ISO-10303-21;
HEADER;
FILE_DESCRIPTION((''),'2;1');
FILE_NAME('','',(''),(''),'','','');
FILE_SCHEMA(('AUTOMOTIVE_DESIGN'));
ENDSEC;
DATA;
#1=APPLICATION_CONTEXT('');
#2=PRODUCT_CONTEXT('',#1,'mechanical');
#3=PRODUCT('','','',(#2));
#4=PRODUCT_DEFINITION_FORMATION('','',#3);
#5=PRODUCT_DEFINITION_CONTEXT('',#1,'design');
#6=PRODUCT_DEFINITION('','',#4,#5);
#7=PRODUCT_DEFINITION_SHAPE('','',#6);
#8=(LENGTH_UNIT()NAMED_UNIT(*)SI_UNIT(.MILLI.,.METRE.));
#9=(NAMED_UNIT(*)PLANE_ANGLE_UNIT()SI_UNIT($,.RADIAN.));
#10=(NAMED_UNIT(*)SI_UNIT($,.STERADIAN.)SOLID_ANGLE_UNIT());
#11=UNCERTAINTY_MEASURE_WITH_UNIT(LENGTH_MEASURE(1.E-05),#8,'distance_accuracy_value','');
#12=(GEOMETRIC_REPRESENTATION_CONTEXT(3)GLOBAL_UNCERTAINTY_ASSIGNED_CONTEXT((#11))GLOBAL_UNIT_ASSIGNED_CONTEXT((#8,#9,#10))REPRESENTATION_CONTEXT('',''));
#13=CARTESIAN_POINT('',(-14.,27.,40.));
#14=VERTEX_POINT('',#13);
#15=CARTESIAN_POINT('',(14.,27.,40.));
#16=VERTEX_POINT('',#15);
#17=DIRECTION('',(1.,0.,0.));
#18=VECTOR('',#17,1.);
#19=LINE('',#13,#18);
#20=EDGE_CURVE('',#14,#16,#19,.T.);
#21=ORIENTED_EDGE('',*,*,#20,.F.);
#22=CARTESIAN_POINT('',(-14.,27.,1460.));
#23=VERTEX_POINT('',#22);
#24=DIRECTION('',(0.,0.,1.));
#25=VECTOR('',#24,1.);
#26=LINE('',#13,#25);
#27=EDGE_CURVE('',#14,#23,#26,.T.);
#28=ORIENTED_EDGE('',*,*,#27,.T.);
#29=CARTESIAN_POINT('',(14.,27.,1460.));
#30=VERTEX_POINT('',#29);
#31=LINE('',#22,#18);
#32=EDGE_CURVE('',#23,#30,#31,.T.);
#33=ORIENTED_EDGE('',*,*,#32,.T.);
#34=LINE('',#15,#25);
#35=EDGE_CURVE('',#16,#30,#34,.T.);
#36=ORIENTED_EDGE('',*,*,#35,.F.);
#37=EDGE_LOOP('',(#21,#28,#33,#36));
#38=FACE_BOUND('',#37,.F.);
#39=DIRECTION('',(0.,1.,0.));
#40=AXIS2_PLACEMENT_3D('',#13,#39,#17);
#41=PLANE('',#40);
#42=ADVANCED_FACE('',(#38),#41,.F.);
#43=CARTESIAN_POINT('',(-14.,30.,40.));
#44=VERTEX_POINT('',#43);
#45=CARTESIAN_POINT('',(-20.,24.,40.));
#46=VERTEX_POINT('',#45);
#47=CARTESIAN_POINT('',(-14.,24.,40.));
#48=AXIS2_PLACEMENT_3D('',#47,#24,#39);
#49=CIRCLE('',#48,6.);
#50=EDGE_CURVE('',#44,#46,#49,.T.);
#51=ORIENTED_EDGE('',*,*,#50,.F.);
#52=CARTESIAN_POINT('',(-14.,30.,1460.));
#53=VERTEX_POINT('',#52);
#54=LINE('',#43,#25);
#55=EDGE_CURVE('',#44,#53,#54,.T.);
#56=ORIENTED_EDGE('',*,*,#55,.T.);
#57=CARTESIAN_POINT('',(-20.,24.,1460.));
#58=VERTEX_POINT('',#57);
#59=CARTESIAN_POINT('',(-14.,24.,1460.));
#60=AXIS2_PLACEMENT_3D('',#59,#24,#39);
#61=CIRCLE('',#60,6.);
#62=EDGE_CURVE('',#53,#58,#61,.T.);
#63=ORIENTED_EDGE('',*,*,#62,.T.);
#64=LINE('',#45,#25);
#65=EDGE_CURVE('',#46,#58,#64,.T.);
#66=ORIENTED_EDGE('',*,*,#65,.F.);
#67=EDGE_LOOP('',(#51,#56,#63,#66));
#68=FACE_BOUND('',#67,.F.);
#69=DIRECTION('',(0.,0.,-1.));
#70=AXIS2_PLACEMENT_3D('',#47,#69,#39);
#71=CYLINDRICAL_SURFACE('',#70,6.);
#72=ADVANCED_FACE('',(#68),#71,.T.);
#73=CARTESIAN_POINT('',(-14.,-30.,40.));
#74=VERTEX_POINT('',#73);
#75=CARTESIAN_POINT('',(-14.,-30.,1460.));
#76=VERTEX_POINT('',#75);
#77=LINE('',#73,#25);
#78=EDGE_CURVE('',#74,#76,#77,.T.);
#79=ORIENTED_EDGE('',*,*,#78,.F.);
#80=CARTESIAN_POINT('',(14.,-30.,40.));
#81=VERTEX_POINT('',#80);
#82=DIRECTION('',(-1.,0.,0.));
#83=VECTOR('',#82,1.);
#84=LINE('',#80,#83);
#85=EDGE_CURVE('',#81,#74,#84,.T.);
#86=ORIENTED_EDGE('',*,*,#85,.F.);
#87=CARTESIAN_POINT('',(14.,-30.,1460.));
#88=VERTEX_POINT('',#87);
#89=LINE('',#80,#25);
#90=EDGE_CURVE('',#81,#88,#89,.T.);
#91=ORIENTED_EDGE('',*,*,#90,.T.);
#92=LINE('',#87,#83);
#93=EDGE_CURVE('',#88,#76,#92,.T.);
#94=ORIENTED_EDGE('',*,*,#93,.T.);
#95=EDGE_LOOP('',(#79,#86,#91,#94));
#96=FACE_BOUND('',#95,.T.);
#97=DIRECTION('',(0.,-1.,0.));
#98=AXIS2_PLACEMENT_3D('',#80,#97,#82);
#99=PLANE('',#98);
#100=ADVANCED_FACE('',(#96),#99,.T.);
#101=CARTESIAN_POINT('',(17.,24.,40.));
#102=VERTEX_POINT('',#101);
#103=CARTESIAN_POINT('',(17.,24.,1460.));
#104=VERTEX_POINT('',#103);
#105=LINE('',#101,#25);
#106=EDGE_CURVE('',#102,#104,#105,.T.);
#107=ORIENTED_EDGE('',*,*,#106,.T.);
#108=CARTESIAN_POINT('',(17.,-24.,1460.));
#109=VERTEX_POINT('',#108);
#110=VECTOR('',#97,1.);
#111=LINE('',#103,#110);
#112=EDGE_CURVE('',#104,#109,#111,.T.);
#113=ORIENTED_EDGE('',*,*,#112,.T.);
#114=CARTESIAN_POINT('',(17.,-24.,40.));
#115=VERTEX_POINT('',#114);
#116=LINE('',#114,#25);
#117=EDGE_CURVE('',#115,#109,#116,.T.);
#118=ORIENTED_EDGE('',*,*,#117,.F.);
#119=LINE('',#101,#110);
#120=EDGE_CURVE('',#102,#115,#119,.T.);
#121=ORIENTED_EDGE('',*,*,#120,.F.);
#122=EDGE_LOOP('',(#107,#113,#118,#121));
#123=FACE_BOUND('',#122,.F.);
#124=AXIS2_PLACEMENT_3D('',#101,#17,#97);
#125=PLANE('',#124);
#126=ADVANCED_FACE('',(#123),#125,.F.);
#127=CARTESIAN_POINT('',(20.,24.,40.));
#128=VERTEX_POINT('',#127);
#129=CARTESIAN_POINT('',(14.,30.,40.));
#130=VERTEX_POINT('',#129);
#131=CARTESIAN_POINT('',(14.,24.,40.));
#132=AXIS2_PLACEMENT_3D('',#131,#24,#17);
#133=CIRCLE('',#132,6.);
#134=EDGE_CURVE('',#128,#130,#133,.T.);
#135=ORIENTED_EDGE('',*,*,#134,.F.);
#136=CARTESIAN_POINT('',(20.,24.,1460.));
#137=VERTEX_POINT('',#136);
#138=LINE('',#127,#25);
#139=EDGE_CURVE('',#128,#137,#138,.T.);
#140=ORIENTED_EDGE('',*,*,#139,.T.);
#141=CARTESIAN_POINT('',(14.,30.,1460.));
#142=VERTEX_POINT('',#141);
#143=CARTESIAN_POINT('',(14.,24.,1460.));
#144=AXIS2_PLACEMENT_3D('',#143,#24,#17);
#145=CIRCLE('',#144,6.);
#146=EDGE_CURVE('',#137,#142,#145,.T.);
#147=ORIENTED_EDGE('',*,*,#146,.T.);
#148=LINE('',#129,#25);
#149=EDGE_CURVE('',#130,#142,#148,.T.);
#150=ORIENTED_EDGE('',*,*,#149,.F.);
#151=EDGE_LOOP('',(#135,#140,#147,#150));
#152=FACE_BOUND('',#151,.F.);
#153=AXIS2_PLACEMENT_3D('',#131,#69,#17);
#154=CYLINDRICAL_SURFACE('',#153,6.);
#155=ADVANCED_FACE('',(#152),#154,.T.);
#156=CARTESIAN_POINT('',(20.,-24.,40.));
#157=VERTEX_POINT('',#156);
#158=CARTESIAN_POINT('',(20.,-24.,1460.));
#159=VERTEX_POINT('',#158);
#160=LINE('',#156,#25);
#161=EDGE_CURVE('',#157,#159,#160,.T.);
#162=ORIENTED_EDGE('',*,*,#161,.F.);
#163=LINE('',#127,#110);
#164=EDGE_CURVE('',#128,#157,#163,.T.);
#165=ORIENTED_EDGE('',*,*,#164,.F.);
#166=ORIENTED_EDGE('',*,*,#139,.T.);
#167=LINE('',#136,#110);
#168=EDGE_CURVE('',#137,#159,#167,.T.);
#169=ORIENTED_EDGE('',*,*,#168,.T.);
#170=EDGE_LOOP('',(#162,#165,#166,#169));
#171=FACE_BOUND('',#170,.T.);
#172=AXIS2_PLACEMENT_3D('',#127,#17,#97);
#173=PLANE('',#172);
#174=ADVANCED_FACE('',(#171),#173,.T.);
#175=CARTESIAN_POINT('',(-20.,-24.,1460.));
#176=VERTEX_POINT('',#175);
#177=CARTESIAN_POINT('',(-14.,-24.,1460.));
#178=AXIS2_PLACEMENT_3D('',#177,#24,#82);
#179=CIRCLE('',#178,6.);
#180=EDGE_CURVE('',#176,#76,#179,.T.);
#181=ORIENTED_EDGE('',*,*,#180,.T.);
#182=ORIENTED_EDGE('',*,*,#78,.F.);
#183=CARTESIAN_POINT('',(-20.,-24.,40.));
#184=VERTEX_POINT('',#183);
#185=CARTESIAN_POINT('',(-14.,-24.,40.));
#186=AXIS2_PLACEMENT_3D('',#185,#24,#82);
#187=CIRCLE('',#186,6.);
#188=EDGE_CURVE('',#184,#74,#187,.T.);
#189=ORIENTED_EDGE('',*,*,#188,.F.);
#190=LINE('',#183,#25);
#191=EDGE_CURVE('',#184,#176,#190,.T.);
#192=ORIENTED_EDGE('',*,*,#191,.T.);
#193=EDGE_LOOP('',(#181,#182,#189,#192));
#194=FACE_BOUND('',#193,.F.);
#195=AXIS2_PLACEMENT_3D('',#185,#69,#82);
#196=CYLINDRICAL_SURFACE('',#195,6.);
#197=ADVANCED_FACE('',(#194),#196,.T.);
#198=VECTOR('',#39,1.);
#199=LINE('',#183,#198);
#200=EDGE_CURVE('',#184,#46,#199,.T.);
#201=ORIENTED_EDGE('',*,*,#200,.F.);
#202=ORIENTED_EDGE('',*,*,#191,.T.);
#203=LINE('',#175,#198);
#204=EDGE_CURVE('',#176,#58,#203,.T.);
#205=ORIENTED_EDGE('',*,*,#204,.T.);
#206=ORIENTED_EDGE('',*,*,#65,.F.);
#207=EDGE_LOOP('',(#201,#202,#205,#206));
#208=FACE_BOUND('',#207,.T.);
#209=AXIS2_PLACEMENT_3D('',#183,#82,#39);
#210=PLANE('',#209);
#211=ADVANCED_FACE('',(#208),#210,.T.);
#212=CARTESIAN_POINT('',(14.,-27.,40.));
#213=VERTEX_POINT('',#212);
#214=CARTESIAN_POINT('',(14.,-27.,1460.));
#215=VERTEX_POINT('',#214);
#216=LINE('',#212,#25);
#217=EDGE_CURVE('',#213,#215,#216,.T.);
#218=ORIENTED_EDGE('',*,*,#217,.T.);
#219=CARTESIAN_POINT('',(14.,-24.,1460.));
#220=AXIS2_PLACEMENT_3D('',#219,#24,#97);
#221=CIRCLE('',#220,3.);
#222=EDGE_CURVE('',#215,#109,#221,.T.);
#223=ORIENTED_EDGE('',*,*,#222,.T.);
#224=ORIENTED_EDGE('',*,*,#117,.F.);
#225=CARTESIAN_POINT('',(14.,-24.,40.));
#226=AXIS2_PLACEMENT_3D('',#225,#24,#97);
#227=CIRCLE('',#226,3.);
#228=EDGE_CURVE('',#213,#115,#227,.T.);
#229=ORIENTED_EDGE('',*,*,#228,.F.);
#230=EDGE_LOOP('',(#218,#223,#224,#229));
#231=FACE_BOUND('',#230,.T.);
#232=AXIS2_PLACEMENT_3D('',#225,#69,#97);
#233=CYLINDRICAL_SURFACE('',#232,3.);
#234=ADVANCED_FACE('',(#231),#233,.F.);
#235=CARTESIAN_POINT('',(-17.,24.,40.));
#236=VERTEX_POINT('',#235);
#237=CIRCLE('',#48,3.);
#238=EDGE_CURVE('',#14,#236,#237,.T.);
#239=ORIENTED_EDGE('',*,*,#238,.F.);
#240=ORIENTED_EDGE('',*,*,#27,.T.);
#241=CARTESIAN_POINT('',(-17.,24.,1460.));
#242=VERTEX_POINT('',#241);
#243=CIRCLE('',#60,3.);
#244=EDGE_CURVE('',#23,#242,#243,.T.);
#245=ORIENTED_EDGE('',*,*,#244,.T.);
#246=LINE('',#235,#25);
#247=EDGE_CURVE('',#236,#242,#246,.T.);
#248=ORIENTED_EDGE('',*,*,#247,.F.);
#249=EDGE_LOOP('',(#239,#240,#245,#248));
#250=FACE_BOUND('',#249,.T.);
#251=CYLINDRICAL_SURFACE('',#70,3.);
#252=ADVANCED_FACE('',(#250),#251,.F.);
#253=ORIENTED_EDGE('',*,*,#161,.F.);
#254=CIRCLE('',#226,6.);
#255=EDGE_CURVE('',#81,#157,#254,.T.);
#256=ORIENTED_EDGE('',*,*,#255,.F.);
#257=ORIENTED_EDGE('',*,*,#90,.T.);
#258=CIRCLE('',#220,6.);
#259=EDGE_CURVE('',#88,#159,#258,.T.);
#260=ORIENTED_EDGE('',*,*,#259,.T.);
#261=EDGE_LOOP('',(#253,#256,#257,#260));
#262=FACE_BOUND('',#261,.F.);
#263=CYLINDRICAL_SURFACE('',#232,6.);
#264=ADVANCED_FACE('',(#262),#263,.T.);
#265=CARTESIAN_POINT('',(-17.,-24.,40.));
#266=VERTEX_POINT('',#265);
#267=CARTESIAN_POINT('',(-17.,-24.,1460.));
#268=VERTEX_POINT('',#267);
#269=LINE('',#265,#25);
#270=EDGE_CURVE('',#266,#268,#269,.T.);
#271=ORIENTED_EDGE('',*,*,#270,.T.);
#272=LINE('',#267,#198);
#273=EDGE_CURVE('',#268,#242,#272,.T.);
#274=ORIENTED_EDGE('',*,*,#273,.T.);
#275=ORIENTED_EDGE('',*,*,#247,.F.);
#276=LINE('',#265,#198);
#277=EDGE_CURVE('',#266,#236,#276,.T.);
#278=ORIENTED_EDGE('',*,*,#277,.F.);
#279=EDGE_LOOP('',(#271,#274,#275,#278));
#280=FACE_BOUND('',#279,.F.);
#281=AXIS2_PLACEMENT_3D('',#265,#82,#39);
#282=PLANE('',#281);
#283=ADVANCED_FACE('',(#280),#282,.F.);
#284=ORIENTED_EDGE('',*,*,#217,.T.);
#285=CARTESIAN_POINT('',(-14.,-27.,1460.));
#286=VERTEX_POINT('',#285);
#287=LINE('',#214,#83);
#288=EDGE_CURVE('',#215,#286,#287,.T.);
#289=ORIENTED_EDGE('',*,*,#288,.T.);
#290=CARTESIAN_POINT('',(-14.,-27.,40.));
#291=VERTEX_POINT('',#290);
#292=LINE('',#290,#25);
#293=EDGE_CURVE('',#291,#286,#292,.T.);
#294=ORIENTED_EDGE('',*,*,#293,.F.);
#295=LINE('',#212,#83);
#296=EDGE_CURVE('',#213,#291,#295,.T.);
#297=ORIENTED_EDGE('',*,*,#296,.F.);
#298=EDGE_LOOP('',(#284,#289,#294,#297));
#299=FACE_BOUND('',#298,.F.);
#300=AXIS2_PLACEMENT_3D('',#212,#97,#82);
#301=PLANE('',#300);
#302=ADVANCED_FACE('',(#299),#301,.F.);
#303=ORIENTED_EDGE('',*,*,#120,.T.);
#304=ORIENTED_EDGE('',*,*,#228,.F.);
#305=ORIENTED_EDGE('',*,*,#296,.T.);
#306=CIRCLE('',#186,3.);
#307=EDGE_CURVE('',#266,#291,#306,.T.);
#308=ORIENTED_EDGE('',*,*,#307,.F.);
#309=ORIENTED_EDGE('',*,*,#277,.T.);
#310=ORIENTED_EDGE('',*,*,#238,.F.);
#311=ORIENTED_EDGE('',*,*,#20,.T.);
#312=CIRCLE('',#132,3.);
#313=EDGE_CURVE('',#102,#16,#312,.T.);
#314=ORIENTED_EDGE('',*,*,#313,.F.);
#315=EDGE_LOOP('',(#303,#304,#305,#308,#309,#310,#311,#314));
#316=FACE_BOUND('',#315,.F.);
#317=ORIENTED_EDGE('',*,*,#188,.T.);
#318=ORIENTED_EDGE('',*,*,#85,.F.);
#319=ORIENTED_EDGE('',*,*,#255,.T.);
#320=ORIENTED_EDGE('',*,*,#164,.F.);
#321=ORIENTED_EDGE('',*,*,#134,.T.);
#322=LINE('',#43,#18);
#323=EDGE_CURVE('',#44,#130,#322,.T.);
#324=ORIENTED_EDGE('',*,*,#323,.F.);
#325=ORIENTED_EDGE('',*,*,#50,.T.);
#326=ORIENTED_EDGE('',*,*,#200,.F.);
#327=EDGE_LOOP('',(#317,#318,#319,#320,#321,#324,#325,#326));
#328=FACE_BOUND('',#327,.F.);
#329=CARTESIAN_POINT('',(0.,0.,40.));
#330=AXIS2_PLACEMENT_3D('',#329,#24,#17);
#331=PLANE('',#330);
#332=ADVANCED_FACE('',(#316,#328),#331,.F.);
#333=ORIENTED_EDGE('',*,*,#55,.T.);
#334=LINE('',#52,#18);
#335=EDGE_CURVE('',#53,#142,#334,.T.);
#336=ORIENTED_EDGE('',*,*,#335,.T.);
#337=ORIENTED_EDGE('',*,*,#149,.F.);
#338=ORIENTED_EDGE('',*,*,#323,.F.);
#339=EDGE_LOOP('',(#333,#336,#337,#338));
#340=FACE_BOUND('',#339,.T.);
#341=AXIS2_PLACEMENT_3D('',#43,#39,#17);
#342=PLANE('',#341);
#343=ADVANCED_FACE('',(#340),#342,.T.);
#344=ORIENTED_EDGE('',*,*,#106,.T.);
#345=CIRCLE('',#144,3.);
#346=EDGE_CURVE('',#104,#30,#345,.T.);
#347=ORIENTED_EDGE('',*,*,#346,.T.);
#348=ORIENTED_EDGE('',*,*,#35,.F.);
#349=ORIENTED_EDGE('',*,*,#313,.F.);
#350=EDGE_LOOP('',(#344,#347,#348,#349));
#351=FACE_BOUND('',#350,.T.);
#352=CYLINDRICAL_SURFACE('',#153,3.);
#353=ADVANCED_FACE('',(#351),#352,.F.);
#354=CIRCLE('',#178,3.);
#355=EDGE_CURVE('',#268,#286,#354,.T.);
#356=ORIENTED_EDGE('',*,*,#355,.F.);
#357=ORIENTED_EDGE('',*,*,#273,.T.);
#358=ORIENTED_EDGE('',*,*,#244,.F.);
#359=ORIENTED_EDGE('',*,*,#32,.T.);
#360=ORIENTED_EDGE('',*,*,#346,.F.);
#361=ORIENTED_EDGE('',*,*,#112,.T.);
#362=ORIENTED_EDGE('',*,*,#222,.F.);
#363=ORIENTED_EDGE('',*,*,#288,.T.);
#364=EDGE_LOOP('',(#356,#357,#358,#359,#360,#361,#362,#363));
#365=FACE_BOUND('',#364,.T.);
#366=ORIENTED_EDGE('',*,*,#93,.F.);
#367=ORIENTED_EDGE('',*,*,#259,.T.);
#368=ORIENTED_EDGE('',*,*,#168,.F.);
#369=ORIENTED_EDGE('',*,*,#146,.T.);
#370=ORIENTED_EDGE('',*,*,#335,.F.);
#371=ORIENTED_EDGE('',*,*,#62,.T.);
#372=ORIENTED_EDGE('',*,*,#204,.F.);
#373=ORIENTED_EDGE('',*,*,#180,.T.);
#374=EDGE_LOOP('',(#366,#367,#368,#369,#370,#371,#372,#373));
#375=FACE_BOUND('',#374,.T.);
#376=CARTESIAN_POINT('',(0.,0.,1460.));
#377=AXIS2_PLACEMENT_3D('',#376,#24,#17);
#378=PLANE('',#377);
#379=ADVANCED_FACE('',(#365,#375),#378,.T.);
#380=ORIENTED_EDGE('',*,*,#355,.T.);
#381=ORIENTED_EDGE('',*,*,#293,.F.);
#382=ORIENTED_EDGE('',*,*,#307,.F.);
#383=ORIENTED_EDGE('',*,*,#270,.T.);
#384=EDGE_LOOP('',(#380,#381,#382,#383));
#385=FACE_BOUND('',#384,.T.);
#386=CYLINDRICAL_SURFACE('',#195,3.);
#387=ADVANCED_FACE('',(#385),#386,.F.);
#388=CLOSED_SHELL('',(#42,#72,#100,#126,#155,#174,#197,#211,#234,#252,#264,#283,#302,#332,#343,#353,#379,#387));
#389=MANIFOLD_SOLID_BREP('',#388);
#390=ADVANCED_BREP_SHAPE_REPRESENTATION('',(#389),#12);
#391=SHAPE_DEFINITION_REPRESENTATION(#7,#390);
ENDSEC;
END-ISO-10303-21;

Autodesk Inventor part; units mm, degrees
ref_plane "YZ Plane" through (0, 0, 0) normal (1, 0, 0) x (0, 1, 0)
ref_plane "Start Plane" through (0, 0, 40) normal (0, 0, 1) x (1, 0, 0)
ref_plane "End Plane" through (0, 0, 1460) normal (0, 0, 1) x (1, 0, 0)
sketch "Sketch" plane through (0, 0, 0) normal (0, 0, 1) x (1, 0, 0)
  line L0 (-20, -24) -> (-20, 24)
  line L1 (-14, 30) -> (14, 30)
  line L2 (20, 24) -> (20, -24)
  line L3 (14, -30) -> (-14, -30)
  arc A0 (-20, -24) -> (-14, -30) centre (-14, -24) ccw
  arc A1 (20, 24) -> (14, 30) centre (14, 24) ccw
  arc A2 (-14, 30) -> (-20, 24) centre (-14, 24) ccw
  arc A3 (14, -30) -> (20, -24) centre (14, -24) ccw
  arc A4 (-14, 27) -> (-17, 24) centre (-14, 24) ccw
  line L4 (-14, 27) -> (14, 27)
  arc A5 (17, 24) -> (14, 27) centre (14, 24) ccw
  line L5 (17, 24) -> (17, -24)
  arc A6 (14, -27) -> (17, -24) centre (14, -24) ccw
  line L6 (14, -27) -> (-14, -27)
  arc A7 (-17, -24) -> (-14, -27) centre (-14, -24) ccw
  line L7 (-17, -24) -> (-17, 24)
  line L8 (0, 43.7397) -> (0, -43.7397) construction
  line L9 (-29.7397, 0) -> (29.7397, 0) construction
  dimension "d7" = 6
  dimension "d9" = 40
  dimension "d11" = 60
  dimension "d12" = 3
  dimension "d15" = 20
  dimension "d16" = 30
extrude "Body" add sketch "Sketch" along normal up to surface (1420 mm away) from surface at 40
sketch "Sketch3" plane through (0, 0, 0) normal (0, 0, 1) x (1, 0, 0)
  line L0 (0, 0) -> (10, 0)
ref_plane "Work Plane3" through (0, 0, 0) normal (0, -1, 0) x (1, 0, 0)
sketch "Sketch4" plane through (0, 0, 0) normal (0, -1, 0) x (1, 0, 0)
  line L0 (-2, 40) -> (12, 40) projected
  line L1 (-2, 1460) -> (12, 1460) projected
  dimension "d18" = 1420
equation "\"d7\" = G_IR"
equation "\"d9\" = G_W"
equation "\"d11\" = G_H"
equation "\"d12\" = G_T"
equation "\"d15\" = 0.5 * d9"
equation "\"d16\" = 0.5 * d11"
equation "\"d3\" = G_L"
equation "\"G_W\" = 40"
equation "\"G_H\" = 60"
equation "\"G_T\" = 3"
equation "\"G_IR\" = 6"
equation "\"G_L\" = d18"
properties part number "ISO 4019 - 60x40x3 - 1420" material "Steel, Mild"
